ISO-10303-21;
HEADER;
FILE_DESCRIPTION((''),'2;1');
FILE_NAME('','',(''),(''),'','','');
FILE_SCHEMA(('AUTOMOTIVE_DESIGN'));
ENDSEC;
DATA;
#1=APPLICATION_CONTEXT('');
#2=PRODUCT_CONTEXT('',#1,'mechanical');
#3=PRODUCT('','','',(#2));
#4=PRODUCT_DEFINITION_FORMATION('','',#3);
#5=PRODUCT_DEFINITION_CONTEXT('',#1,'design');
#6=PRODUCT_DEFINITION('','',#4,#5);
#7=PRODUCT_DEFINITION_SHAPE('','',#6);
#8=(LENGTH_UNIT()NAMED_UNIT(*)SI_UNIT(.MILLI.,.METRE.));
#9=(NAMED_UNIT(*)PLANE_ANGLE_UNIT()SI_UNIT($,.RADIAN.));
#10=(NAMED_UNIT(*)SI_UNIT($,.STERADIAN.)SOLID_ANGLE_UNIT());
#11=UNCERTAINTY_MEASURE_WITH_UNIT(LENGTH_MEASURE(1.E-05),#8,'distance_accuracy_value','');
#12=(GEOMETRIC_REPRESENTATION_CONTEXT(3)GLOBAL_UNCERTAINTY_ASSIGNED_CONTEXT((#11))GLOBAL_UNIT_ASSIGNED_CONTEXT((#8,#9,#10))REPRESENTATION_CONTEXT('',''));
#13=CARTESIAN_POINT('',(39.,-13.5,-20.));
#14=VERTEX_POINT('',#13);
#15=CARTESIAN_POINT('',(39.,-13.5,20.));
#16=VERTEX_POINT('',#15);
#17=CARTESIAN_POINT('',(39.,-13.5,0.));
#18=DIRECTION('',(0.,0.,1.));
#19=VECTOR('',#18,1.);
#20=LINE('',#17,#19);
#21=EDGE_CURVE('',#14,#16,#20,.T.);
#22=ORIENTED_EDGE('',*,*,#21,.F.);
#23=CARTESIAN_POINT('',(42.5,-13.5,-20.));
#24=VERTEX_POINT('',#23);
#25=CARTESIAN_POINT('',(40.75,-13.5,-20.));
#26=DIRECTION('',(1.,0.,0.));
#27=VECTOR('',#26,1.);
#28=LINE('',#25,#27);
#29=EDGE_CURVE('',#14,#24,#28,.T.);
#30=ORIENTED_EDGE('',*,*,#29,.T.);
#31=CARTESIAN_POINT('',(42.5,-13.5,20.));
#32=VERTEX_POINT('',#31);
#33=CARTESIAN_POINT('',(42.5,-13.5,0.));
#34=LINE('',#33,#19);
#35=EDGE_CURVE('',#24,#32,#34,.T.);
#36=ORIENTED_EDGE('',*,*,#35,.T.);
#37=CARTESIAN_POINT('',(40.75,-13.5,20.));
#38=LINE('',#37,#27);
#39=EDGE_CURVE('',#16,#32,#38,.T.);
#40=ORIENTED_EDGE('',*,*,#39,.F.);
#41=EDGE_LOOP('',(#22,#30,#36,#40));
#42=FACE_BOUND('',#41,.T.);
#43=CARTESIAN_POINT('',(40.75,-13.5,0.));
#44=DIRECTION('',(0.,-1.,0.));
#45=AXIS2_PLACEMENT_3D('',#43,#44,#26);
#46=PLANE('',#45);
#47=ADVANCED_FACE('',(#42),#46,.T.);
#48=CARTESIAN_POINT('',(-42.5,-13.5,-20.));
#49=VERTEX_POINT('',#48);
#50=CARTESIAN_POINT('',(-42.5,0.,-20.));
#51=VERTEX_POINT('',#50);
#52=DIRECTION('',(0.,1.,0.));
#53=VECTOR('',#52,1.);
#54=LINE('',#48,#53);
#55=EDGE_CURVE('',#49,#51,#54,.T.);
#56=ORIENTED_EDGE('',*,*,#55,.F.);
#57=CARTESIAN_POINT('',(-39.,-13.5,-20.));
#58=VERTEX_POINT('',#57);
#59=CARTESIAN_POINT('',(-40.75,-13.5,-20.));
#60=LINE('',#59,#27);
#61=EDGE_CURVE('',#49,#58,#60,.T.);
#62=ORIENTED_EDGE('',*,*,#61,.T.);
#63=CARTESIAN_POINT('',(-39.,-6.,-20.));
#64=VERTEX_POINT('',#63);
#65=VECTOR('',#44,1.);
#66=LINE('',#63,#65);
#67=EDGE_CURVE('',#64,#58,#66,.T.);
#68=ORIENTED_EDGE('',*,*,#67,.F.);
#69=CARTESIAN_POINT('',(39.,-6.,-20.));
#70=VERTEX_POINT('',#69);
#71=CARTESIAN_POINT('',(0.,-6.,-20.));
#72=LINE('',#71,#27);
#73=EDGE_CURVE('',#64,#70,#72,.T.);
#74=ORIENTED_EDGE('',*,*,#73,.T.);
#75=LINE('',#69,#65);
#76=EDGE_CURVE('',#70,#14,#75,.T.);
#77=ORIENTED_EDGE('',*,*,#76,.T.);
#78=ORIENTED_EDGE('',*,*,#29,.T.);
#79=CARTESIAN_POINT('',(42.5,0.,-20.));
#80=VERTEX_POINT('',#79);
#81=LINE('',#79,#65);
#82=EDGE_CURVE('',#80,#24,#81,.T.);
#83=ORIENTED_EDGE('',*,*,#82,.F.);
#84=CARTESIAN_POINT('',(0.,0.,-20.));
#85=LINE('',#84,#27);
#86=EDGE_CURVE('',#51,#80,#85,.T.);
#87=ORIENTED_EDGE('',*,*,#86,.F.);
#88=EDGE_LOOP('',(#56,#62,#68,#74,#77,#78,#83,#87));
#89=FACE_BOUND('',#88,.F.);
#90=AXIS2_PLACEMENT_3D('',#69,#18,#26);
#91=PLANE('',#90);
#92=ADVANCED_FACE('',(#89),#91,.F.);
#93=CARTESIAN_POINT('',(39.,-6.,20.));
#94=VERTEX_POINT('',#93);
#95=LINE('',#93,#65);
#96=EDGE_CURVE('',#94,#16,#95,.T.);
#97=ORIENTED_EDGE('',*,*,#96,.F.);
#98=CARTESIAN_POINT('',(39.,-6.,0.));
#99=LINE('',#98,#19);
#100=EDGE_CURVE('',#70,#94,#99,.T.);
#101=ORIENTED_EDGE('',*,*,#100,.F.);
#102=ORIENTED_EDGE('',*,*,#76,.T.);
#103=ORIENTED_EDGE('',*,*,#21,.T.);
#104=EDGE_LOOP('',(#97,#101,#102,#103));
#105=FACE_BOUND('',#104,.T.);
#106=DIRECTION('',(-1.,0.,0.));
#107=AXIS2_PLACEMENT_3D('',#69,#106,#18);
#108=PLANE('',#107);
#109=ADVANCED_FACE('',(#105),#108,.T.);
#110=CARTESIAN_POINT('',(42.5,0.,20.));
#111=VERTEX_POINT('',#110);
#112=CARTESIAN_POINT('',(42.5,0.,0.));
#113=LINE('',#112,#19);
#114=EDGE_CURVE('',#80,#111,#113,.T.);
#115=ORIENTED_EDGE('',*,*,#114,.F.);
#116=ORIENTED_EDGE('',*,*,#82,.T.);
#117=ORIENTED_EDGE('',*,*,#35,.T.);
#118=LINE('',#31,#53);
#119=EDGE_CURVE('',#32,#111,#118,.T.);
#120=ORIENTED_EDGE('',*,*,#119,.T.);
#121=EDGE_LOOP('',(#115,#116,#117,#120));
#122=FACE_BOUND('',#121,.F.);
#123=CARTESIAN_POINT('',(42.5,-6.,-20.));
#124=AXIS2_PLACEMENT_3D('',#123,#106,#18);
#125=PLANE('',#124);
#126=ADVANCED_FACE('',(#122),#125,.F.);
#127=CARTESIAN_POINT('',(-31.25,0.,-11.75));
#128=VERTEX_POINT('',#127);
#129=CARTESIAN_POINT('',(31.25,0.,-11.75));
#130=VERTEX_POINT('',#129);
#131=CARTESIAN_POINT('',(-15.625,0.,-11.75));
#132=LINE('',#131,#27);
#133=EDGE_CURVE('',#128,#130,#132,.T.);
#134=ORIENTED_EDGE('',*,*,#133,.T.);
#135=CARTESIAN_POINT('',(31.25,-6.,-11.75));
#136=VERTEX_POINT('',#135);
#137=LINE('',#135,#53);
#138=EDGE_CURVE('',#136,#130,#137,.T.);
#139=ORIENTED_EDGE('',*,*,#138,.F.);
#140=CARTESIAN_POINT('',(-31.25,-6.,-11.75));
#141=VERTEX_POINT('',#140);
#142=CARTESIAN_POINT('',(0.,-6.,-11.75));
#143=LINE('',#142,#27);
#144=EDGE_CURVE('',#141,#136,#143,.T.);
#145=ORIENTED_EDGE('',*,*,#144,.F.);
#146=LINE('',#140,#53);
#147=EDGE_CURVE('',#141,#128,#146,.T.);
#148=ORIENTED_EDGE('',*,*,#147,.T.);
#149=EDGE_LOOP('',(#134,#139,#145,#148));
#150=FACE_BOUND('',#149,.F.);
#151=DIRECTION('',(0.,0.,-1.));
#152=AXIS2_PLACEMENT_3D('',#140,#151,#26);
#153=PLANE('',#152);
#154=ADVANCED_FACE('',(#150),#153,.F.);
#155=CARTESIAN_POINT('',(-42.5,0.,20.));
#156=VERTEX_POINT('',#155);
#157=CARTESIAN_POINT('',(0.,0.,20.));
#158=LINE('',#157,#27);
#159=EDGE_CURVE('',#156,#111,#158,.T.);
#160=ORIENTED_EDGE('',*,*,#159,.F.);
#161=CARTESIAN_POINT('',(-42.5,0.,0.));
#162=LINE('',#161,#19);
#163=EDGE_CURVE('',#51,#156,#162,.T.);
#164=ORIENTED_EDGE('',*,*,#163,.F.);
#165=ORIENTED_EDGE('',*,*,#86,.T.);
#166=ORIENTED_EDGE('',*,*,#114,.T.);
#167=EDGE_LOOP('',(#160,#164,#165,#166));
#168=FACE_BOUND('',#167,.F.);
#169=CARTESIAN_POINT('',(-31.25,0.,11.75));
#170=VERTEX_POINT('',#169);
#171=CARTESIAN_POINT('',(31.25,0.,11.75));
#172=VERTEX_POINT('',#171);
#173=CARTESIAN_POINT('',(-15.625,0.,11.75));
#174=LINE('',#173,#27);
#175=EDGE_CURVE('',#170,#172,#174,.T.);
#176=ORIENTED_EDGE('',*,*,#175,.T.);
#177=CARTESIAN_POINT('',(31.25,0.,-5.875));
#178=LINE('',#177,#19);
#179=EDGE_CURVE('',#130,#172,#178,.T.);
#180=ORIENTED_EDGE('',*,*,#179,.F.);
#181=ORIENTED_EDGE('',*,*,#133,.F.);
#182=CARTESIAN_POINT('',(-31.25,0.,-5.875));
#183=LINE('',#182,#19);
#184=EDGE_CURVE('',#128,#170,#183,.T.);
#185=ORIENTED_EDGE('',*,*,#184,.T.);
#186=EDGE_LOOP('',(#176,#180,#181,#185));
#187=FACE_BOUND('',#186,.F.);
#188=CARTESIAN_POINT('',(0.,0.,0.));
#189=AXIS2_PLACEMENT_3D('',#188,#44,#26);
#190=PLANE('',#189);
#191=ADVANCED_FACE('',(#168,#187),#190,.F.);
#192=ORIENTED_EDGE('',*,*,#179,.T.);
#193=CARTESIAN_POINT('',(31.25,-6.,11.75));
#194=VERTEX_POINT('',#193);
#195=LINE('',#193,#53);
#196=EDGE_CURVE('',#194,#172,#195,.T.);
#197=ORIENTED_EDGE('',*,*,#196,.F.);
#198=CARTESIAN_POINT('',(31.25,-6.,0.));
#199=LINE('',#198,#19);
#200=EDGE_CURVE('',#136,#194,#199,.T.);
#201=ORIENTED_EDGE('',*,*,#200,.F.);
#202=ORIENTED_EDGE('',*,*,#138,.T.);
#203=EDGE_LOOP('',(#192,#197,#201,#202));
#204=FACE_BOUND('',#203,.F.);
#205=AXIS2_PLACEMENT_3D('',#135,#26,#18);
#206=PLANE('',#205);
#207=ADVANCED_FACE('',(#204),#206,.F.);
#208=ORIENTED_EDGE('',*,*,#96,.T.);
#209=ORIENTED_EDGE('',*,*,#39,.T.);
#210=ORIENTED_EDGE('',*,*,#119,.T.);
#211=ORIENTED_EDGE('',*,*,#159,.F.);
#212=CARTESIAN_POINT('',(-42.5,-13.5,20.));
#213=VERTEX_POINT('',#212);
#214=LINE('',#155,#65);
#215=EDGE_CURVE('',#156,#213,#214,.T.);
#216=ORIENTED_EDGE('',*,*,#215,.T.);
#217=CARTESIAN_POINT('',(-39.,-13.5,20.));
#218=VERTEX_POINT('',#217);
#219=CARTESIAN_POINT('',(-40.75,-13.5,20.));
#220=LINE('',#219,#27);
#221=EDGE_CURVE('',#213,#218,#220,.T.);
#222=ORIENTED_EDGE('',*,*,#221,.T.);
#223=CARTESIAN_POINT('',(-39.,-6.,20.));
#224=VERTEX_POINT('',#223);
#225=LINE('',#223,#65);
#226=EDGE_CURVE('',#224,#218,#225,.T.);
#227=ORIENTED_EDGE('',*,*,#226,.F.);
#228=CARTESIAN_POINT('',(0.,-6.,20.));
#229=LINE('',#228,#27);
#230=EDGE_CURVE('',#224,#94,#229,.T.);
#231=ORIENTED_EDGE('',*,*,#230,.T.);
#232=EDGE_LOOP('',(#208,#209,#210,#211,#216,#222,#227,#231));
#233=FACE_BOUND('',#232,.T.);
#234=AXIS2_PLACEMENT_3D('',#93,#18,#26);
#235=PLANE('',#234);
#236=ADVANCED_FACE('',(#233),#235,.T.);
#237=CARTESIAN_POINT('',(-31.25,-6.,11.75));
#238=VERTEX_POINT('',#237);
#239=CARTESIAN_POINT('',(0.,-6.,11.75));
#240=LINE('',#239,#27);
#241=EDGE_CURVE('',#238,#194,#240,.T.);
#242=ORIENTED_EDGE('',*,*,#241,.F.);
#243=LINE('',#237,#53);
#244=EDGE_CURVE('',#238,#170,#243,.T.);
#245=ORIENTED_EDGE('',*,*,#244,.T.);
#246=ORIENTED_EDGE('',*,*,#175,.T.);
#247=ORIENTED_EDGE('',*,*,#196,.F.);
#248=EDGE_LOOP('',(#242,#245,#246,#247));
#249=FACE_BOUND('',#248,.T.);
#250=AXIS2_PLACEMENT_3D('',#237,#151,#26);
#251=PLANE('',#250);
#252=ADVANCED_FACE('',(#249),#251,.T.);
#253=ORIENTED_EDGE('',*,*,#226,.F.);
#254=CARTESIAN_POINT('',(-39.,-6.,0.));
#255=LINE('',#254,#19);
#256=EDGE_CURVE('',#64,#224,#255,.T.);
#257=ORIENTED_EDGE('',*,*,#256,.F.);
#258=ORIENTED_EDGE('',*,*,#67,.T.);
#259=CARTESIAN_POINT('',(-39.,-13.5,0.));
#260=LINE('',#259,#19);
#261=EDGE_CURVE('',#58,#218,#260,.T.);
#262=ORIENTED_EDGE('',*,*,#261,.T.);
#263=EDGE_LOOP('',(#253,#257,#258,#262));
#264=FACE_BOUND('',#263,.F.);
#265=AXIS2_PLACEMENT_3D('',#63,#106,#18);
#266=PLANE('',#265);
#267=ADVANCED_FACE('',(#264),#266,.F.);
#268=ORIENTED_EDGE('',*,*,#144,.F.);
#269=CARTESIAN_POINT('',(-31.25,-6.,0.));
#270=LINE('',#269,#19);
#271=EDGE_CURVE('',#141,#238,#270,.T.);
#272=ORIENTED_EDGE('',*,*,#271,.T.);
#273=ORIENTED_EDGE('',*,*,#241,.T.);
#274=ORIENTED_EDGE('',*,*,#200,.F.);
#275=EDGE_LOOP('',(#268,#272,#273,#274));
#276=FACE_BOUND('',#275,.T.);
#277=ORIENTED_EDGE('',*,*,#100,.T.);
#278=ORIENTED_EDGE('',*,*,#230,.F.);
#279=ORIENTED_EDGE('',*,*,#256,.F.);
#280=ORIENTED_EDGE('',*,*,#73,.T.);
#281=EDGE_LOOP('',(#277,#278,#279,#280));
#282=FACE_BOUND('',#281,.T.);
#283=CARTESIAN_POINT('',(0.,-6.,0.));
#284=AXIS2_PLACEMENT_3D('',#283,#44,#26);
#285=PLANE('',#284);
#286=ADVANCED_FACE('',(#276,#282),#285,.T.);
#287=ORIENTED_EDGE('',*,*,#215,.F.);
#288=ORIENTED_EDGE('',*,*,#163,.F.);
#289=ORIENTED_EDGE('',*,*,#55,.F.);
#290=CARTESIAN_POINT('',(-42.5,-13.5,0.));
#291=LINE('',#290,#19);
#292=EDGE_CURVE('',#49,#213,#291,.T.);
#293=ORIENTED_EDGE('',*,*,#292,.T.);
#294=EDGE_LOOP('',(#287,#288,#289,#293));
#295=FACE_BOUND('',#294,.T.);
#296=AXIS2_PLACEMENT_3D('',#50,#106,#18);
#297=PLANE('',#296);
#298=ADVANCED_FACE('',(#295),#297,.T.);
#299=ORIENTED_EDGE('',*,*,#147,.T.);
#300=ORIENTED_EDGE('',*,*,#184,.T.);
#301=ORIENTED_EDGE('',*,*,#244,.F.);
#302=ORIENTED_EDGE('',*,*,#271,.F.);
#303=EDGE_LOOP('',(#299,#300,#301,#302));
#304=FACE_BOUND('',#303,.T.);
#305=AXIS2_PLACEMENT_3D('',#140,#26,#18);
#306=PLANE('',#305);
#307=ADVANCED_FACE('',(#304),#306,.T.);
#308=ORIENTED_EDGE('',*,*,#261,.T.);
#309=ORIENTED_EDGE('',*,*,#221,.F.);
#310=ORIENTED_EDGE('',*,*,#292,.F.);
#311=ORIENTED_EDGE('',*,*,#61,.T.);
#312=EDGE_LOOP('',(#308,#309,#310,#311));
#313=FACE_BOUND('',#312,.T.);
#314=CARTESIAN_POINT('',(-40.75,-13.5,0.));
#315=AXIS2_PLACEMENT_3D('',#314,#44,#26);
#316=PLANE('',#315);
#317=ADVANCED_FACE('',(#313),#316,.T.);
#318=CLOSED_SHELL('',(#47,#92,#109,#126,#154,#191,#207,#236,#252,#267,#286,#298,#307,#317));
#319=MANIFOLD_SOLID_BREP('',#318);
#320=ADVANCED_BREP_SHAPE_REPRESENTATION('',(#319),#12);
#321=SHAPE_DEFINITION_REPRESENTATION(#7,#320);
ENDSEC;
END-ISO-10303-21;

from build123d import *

# Parameters (mm, degrees)
F0_W     = 85
F0_H     = 40
F1_DEPTH = 6
F2_W     = 62.5
F2_H     = 23.5
F3_DEPTH = 25
F4_W     = 3.5
F4_H     = 40
F5_DEPTH = 7.5


with BuildPart() as f1:
    # F0 (on Front) → F1 (new body)
    with BuildSketch(Plane.XZ):
        Rectangle(F0_W, F0_H)
    extrude(amount=F1_DEPTH)

    # F2 (on face) → F3 (cut)
    with BuildSketch(Plane.XZ.offset(6)):
        Rectangle(F2_W, F2_H)
    extrude(amount=-F3_DEPTH, mode=Mode.SUBTRACT)

    # F4 (on face) → F5 (join)
    with BuildSketch(Plane.XZ.offset(6)):
        with Locations((40.75, 0)):
            Rectangle(F4_W, F4_H)
        with Locations((-40.75, 0)):
            Rectangle(F4_W, F4_H)
    extrude(amount=F5_DEPTH)


solid = f1.part
